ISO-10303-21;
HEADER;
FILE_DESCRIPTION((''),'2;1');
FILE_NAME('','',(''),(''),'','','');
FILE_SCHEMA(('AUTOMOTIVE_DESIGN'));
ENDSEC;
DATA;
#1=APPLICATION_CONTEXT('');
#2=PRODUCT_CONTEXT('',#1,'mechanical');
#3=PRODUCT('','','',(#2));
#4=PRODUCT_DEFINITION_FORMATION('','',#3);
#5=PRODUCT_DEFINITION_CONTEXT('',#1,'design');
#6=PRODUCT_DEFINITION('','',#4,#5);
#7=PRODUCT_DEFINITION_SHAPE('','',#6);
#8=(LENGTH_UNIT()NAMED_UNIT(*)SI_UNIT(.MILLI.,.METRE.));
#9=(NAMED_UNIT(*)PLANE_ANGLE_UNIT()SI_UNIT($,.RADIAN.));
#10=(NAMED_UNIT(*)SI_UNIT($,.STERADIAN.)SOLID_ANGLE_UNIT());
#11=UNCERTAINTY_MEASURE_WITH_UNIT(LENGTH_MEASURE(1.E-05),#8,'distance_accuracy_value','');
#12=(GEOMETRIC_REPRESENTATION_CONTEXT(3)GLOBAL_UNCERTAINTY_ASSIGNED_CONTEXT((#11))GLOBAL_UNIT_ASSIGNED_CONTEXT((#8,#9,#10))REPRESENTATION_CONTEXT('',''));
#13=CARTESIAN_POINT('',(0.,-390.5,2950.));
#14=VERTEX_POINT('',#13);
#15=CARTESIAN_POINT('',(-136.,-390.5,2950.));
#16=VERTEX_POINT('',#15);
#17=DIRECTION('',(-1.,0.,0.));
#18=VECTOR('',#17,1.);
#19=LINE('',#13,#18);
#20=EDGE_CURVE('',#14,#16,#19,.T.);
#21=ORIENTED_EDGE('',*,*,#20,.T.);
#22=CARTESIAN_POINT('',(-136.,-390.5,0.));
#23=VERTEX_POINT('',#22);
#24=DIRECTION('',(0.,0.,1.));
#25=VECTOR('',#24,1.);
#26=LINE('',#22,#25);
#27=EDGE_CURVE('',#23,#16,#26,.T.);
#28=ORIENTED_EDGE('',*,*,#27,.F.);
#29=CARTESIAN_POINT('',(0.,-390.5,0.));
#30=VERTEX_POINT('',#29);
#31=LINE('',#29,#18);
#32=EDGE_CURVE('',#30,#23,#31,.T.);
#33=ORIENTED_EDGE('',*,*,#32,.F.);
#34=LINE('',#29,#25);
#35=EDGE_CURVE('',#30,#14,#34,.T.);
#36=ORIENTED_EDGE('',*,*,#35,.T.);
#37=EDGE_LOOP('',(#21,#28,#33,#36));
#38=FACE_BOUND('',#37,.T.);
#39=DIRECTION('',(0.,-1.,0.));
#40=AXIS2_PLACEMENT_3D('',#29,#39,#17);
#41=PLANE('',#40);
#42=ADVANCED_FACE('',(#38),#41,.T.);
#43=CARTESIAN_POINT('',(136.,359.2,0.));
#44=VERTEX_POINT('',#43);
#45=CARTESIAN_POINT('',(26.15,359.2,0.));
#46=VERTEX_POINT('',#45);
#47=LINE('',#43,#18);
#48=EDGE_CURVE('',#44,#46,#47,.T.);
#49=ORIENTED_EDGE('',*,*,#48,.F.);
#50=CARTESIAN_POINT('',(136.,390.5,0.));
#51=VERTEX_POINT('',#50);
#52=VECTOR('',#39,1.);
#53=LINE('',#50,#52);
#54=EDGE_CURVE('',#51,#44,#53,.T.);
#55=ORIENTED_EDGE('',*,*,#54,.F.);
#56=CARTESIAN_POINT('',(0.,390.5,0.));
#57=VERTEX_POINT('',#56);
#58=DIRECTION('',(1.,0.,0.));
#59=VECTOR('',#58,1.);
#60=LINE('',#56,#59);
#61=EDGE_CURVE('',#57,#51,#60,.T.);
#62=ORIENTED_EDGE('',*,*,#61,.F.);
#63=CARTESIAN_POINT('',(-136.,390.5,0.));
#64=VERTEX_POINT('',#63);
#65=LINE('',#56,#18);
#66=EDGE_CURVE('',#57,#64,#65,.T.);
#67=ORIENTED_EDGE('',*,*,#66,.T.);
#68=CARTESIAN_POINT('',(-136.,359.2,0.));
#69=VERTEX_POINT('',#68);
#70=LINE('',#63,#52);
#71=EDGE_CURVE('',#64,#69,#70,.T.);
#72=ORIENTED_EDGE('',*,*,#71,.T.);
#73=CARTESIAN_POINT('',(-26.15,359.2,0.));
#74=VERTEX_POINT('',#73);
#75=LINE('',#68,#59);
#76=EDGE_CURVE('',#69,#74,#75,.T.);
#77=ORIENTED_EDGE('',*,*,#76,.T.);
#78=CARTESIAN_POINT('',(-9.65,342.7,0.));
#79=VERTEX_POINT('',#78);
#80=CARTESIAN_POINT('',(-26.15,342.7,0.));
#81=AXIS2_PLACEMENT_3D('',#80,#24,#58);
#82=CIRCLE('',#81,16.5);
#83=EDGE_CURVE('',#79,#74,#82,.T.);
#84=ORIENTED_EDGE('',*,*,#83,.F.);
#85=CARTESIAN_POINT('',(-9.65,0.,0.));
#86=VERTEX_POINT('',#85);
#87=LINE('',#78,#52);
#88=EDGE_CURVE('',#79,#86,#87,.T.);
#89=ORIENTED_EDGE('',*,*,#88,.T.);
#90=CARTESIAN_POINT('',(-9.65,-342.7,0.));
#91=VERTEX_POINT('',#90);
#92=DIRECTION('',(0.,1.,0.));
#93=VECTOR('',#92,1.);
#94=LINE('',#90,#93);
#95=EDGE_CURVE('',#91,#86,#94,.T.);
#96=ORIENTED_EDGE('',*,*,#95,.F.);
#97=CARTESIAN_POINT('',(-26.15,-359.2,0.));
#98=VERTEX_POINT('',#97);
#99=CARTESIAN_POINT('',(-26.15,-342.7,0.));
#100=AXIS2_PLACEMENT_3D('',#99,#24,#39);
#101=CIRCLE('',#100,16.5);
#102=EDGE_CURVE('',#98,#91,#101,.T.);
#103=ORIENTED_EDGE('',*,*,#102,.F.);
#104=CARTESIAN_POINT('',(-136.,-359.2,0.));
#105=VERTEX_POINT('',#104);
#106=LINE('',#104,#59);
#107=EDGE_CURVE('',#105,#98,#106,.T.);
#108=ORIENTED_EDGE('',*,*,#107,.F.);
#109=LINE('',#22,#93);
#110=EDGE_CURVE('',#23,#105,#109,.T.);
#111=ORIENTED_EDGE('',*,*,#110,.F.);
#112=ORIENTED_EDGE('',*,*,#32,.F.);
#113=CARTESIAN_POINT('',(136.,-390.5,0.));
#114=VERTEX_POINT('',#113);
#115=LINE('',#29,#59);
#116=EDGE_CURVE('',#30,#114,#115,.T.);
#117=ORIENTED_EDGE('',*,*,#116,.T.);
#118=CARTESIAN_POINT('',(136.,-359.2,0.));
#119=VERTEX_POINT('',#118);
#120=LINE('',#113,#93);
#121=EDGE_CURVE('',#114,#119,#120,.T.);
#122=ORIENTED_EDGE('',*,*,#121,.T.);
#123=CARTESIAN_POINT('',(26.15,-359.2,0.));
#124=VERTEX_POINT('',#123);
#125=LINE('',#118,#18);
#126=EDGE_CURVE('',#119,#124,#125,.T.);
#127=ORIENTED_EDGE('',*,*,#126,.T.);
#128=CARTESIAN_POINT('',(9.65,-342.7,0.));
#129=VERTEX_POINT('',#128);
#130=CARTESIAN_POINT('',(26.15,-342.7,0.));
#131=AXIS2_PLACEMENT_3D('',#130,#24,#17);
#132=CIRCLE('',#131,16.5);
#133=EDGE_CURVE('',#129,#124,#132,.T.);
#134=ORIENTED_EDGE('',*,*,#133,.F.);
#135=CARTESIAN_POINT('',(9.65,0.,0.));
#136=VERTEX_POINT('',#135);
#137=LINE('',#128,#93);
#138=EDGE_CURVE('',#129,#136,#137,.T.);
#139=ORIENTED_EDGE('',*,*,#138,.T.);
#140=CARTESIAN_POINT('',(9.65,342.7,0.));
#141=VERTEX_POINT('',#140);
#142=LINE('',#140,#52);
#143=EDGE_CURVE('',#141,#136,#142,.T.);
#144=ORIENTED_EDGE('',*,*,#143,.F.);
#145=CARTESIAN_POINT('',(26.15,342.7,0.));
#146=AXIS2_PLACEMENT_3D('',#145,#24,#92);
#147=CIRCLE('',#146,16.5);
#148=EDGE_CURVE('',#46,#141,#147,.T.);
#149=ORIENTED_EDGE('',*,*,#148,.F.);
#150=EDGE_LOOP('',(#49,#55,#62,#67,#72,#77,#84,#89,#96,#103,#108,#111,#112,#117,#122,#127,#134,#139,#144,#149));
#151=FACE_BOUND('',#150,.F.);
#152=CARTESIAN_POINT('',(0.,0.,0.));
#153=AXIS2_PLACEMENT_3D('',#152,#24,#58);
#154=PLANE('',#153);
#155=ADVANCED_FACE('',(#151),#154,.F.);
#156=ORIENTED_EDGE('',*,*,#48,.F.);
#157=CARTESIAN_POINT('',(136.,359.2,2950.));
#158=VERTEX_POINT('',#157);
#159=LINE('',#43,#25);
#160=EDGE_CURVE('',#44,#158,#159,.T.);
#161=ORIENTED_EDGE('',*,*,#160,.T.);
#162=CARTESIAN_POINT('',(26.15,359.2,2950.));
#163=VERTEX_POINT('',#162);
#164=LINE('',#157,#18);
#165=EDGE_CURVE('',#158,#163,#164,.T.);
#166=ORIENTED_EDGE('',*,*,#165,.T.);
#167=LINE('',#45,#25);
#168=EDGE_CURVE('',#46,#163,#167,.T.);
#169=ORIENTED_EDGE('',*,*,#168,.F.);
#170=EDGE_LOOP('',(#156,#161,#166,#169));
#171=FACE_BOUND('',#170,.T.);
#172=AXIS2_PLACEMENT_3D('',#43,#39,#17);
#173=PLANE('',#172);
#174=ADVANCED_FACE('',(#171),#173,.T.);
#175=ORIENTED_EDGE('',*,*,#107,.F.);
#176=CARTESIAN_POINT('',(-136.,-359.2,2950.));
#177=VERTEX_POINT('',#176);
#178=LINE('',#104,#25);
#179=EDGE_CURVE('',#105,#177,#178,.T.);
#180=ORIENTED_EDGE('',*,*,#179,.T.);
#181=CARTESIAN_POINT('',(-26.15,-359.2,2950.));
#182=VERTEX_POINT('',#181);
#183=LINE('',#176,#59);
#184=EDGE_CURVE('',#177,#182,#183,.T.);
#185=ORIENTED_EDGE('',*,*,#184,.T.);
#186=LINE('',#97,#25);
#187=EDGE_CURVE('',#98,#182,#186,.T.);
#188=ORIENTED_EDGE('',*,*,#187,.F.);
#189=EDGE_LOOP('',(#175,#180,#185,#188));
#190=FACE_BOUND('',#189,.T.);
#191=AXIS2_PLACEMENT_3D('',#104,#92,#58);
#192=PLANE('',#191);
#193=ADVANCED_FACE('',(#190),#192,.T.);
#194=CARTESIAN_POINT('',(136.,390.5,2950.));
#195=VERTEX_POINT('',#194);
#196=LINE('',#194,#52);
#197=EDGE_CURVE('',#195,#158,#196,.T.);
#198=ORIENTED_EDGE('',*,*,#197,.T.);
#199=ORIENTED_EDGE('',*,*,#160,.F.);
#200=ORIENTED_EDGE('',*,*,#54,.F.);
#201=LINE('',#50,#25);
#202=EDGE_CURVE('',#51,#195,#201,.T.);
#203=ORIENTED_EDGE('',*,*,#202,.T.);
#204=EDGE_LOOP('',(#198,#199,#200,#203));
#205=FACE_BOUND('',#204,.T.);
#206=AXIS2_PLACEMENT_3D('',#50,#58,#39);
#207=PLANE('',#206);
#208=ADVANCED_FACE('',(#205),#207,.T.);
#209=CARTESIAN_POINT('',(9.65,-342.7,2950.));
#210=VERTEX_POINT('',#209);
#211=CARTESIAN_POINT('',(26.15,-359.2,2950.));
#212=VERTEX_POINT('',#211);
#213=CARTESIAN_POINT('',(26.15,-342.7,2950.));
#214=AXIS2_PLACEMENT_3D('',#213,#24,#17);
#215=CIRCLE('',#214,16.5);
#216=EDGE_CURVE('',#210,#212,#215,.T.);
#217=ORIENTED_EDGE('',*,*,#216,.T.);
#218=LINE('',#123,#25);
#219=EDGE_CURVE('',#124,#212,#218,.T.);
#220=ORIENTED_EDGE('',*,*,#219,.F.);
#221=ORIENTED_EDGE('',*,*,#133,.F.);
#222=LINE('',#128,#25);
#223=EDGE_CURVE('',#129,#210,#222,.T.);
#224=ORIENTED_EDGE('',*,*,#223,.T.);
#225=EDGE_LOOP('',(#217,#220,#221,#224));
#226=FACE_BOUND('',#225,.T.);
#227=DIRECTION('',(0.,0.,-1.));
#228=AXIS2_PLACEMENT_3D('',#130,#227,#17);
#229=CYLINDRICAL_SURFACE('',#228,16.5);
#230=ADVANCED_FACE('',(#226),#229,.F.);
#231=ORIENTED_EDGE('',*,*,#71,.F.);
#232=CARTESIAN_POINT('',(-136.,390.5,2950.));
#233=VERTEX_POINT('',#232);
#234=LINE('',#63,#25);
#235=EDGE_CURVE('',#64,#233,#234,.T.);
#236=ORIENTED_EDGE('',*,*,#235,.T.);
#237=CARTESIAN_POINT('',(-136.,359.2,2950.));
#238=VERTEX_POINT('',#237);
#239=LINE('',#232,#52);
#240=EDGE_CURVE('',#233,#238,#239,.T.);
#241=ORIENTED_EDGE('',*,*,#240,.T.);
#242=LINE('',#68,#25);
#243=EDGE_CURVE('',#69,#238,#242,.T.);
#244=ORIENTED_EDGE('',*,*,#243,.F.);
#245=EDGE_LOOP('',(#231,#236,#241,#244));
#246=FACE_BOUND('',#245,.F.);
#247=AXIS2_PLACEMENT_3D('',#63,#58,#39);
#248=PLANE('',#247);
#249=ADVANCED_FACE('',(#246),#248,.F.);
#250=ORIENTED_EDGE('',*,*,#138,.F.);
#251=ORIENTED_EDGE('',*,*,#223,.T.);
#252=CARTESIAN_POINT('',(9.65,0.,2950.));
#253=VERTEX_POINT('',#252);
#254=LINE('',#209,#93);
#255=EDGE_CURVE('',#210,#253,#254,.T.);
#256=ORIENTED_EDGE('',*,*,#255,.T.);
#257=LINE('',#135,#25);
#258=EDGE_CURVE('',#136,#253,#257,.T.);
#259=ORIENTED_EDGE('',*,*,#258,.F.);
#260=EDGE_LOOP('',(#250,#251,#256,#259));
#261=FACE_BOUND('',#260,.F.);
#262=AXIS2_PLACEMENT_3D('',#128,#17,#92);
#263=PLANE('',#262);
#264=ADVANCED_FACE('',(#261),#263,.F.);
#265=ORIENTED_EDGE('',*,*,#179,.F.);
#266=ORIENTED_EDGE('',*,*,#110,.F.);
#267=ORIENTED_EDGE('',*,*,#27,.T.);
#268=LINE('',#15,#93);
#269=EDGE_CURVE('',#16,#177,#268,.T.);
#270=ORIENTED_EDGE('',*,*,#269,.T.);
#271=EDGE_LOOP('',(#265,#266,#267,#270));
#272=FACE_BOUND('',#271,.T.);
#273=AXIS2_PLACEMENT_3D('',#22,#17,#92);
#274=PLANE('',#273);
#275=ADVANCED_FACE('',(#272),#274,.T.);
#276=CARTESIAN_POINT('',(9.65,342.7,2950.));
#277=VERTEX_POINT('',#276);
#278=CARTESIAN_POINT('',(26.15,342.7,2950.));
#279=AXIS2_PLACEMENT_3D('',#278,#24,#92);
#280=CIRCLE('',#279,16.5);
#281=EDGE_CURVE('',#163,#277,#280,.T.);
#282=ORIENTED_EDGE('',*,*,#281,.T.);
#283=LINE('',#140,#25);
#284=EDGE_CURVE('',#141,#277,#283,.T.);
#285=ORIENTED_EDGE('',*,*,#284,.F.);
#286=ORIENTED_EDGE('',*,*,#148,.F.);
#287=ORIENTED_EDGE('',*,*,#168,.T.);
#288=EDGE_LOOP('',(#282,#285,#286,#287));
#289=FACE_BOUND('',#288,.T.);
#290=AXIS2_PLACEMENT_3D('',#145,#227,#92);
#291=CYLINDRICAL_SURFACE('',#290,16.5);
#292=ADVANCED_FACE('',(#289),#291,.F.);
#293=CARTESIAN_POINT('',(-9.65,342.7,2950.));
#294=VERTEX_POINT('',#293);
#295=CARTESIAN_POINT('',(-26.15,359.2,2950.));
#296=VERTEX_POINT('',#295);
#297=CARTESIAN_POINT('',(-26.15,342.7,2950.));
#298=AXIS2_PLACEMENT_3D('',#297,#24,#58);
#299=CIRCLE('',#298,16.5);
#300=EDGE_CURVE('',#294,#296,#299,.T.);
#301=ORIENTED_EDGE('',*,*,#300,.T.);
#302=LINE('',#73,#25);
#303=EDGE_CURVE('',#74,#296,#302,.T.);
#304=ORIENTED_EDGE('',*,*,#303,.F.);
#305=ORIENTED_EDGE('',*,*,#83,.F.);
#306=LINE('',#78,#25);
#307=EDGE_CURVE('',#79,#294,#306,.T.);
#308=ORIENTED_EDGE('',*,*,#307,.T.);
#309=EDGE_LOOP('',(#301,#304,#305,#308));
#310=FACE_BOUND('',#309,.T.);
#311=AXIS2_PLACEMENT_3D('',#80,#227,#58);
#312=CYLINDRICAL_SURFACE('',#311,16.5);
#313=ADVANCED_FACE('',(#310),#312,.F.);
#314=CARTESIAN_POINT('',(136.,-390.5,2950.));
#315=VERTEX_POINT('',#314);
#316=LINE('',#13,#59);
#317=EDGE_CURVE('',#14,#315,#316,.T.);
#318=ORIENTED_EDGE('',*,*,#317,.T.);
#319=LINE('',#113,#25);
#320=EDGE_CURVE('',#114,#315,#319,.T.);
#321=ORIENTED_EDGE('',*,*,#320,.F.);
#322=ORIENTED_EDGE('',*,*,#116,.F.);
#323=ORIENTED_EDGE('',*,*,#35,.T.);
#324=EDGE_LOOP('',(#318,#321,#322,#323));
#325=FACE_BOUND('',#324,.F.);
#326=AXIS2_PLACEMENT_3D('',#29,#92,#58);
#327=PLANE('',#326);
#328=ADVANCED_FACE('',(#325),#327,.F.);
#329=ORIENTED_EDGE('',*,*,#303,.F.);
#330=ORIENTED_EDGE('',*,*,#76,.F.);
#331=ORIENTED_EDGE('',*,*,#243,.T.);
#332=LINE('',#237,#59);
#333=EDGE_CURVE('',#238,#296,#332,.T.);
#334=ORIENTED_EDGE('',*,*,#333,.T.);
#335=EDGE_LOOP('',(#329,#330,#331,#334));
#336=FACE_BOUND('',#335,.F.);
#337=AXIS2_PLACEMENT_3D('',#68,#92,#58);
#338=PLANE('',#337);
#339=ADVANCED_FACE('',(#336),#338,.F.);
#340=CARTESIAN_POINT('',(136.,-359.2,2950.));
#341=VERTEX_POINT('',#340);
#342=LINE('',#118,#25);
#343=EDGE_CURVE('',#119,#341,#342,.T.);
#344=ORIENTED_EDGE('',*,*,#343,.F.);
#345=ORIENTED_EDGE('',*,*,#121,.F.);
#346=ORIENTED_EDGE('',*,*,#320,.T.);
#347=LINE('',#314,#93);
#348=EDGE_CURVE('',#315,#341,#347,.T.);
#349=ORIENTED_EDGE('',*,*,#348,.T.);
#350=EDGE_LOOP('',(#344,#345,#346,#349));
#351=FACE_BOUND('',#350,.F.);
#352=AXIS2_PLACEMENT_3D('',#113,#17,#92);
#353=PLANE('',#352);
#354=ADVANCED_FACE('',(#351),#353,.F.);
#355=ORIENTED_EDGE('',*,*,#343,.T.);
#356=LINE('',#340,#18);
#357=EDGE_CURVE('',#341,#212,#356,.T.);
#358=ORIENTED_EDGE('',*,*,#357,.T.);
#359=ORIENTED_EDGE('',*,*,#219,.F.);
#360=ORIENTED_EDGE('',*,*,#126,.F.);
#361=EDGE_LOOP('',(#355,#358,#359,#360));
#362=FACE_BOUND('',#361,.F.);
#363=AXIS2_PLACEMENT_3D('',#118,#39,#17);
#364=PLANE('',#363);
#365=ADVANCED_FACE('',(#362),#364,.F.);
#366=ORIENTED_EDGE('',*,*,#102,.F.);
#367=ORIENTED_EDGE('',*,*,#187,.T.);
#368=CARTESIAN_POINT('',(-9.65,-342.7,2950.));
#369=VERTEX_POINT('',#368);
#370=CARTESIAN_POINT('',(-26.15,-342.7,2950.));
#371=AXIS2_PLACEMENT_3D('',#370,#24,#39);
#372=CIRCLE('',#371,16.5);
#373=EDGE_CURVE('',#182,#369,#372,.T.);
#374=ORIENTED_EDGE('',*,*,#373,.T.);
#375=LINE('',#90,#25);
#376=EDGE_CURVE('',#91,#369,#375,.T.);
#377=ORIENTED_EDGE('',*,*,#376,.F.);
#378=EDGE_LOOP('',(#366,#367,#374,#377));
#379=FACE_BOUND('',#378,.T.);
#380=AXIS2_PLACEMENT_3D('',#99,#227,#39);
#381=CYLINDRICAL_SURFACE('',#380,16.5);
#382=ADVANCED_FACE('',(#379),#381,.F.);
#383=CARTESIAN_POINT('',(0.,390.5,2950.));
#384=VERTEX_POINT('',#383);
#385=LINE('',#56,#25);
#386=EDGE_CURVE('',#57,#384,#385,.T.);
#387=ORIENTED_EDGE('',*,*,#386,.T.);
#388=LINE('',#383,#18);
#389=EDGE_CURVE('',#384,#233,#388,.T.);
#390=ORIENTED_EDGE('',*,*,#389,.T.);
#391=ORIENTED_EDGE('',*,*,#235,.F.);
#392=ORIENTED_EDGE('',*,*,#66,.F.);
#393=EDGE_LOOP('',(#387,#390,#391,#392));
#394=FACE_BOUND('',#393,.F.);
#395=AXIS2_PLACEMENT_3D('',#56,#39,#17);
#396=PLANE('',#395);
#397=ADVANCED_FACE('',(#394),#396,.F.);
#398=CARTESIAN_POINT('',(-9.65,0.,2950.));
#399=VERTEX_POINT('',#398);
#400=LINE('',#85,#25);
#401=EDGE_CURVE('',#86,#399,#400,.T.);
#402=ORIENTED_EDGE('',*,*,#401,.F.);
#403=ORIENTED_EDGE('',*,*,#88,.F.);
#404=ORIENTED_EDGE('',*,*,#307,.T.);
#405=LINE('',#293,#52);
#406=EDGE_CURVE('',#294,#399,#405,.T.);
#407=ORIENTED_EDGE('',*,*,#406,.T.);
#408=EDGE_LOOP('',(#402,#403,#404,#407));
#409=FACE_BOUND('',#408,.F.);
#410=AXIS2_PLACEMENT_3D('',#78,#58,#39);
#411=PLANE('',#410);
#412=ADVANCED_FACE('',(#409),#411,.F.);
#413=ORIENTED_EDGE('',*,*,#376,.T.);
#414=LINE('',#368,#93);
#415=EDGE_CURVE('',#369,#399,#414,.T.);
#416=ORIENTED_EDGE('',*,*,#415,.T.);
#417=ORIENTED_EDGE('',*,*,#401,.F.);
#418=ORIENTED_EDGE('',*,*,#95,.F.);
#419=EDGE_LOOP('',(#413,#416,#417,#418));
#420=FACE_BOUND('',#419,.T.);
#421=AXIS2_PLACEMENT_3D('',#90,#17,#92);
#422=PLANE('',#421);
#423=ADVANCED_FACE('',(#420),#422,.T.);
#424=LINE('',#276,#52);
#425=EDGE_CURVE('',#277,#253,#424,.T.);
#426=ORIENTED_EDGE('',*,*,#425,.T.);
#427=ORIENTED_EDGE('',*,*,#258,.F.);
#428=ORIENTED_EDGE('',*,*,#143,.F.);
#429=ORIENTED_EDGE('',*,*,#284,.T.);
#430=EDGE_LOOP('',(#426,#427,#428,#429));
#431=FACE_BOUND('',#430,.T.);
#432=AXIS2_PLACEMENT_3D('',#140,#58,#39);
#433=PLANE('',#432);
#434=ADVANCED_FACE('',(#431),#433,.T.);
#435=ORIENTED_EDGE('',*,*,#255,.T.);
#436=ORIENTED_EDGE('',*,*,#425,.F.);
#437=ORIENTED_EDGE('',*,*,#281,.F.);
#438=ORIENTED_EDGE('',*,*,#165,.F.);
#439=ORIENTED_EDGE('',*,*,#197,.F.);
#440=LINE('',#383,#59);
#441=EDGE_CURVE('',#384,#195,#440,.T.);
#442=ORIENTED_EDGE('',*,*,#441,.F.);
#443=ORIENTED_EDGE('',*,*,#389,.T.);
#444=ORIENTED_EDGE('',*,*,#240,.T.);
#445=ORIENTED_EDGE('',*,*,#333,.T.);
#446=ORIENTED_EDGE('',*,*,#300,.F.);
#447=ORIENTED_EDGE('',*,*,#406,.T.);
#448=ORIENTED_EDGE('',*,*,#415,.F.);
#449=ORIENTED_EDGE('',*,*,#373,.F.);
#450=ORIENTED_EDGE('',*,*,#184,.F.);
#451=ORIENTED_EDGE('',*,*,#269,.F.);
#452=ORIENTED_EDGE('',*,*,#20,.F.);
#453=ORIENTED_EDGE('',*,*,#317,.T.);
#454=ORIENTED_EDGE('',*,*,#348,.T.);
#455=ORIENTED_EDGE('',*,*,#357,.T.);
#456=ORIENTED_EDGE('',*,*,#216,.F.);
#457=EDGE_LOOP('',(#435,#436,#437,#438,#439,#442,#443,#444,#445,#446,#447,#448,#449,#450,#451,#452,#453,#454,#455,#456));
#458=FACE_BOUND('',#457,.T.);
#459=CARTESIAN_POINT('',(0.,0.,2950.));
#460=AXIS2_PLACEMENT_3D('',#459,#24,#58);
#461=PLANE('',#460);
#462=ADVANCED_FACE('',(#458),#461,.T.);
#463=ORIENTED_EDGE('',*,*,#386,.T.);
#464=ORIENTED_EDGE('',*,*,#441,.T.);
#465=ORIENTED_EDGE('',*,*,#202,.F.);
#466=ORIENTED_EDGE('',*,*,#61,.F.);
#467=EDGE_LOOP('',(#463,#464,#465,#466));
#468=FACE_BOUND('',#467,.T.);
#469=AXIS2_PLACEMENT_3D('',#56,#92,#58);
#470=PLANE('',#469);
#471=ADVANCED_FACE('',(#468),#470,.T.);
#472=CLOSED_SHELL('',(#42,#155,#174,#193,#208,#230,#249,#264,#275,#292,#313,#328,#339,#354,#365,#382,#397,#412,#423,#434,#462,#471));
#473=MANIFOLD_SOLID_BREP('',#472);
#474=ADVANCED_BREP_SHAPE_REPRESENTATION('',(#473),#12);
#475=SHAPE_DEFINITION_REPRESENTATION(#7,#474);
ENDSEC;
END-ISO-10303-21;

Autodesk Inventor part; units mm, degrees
ref_plane "YZ Plane" through (0, 0, 0) normal (1, 0, 0) x (0, 1, 0)
ref_plane "Start plane" through (0, 0, 0) normal (0, 0, 1) x (1, 0, 0)
ref_plane "End plane" through (0, 0, 2950) normal (0, 0, 1) x (1, 0, 0)
sketch "Sketch" plane through (0, 0, 0) normal (0, 0, 1) x (1, 0, 0)
  line L0 (-136, -390.5) -> (-136, -359.2)
  line L1 (-136, -359.2) -> (-26.15, -359.2)
  line L2 (-9.65, -342.7) -> (-9.65, 0)
  line L3 (-9.65, 0) -> (0, 0) construction
  line L4 (0, 0) -> (0, -390.5) construction
  line L5 (0, -390.5) -> (-136, -390.5)
  line L6 (-60, 0) -> (80, 0) construction
  line L7 (0, -60) -> (0, 80) construction
  line L8 (136, -390.5) -> (136, -359.2)
  line L9 (136, -359.2) -> (26.15, -359.2)
  line L10 (9.65, -342.7) -> (9.65, 0)
  line L11 (9.65, 0) -> (0, 0) construction
  line L12 (0, -390.5) -> (136, -390.5)
  line L13 (-136, 390.5) -> (-136, 359.2)
  line L14 (-136, 359.2) -> (-26.15, 359.2)
  line L15 (-9.65, 342.7) -> (-9.65, 0)
  line L16 (0, 390.5) -> (-136, 390.5)
  line L17 (136, 390.5) -> (136, 359.2)
  line L18 (136, 359.2) -> (26.15, 359.2)
  line L19 (0, 390.5) -> (136, 390.5)
  line L20 (9.65, 342.7) -> (9.65, 0)
  arc A0 (-9.65, 342.7) -> (-26.15, 359.2) centre (-26.15, 342.7) ccw
  arc A1 (26.15, 359.2) -> (9.65, 342.7) centre (26.15, 342.7) ccw
  arc A2 (9.65, -342.7) -> (26.15, -359.2) centre (26.15, -342.7) ccw
  arc A3 (-26.15, -359.2) -> (-9.65, -342.7) centre (-26.15, -342.7) ccw
  line L21 (0, 108) -> (0, -88) construction
  line L22 (-88, 0) -> (108, 0) construction
  point P0 (-9.65, -359.2)
  point P1 (9.65, -359.2)
  point P2 (-9.65, 359.2)
  point P3 (9.65, 359.2)
  dimension "d1" = 390.5
  dimension "d2" = 31.3
  dimension "d3" = 136
  dimension "d4" = 9.65
  dimension "d10" = 16.5
extrude "Body" add sketch "Sketch" along normal up to surface (2950 mm away) from surface at 0
sketch "Sketch4" plane through (0, 0, 0) normal (0, 0, 1) x (1, 0, 0)
  line L0 (0, 0) -> (10, 0)
ref_plane "Work Plane3" through (0, 0, 0) normal (0, -1, 0) x (1, 0, 0)
sketch "Sketch5" plane through (0, 0, 0) normal (0, -1, 0) x (1, 0, 0)
  line L0 (-2, 0) -> (12, 0) projected
  line L1 (-2, 2950) -> (12, 2950) projected
  dimension "d14" = 2950
equation "\"d1\" = 0.5 * G_H"
equation "\"d2\" = G_T1"
equation "\"d3\" = 0.5 * G_W"
equation "\"d4\" = 0.5 * G_T"
equation "\"d10\" = G_IR"
equation "\"d5\" = G_L"
equation "\"G_W\" = 272"
equation "\"G_H\" = 781"
equation "\"G_T\" = 19.3"
equation "\"G_T1\" = 31.3"
equation "\"G_IR\" = 16.5"
equation "\"G_L\" = d14"
equation "\"G_OFFSET_START\" = 0"
equation "\"G_OFFSET_END\" = 0"
properties part number "AS 3679-1990 - 760 UB - 244 - 2950" material "Steel, Mild"
